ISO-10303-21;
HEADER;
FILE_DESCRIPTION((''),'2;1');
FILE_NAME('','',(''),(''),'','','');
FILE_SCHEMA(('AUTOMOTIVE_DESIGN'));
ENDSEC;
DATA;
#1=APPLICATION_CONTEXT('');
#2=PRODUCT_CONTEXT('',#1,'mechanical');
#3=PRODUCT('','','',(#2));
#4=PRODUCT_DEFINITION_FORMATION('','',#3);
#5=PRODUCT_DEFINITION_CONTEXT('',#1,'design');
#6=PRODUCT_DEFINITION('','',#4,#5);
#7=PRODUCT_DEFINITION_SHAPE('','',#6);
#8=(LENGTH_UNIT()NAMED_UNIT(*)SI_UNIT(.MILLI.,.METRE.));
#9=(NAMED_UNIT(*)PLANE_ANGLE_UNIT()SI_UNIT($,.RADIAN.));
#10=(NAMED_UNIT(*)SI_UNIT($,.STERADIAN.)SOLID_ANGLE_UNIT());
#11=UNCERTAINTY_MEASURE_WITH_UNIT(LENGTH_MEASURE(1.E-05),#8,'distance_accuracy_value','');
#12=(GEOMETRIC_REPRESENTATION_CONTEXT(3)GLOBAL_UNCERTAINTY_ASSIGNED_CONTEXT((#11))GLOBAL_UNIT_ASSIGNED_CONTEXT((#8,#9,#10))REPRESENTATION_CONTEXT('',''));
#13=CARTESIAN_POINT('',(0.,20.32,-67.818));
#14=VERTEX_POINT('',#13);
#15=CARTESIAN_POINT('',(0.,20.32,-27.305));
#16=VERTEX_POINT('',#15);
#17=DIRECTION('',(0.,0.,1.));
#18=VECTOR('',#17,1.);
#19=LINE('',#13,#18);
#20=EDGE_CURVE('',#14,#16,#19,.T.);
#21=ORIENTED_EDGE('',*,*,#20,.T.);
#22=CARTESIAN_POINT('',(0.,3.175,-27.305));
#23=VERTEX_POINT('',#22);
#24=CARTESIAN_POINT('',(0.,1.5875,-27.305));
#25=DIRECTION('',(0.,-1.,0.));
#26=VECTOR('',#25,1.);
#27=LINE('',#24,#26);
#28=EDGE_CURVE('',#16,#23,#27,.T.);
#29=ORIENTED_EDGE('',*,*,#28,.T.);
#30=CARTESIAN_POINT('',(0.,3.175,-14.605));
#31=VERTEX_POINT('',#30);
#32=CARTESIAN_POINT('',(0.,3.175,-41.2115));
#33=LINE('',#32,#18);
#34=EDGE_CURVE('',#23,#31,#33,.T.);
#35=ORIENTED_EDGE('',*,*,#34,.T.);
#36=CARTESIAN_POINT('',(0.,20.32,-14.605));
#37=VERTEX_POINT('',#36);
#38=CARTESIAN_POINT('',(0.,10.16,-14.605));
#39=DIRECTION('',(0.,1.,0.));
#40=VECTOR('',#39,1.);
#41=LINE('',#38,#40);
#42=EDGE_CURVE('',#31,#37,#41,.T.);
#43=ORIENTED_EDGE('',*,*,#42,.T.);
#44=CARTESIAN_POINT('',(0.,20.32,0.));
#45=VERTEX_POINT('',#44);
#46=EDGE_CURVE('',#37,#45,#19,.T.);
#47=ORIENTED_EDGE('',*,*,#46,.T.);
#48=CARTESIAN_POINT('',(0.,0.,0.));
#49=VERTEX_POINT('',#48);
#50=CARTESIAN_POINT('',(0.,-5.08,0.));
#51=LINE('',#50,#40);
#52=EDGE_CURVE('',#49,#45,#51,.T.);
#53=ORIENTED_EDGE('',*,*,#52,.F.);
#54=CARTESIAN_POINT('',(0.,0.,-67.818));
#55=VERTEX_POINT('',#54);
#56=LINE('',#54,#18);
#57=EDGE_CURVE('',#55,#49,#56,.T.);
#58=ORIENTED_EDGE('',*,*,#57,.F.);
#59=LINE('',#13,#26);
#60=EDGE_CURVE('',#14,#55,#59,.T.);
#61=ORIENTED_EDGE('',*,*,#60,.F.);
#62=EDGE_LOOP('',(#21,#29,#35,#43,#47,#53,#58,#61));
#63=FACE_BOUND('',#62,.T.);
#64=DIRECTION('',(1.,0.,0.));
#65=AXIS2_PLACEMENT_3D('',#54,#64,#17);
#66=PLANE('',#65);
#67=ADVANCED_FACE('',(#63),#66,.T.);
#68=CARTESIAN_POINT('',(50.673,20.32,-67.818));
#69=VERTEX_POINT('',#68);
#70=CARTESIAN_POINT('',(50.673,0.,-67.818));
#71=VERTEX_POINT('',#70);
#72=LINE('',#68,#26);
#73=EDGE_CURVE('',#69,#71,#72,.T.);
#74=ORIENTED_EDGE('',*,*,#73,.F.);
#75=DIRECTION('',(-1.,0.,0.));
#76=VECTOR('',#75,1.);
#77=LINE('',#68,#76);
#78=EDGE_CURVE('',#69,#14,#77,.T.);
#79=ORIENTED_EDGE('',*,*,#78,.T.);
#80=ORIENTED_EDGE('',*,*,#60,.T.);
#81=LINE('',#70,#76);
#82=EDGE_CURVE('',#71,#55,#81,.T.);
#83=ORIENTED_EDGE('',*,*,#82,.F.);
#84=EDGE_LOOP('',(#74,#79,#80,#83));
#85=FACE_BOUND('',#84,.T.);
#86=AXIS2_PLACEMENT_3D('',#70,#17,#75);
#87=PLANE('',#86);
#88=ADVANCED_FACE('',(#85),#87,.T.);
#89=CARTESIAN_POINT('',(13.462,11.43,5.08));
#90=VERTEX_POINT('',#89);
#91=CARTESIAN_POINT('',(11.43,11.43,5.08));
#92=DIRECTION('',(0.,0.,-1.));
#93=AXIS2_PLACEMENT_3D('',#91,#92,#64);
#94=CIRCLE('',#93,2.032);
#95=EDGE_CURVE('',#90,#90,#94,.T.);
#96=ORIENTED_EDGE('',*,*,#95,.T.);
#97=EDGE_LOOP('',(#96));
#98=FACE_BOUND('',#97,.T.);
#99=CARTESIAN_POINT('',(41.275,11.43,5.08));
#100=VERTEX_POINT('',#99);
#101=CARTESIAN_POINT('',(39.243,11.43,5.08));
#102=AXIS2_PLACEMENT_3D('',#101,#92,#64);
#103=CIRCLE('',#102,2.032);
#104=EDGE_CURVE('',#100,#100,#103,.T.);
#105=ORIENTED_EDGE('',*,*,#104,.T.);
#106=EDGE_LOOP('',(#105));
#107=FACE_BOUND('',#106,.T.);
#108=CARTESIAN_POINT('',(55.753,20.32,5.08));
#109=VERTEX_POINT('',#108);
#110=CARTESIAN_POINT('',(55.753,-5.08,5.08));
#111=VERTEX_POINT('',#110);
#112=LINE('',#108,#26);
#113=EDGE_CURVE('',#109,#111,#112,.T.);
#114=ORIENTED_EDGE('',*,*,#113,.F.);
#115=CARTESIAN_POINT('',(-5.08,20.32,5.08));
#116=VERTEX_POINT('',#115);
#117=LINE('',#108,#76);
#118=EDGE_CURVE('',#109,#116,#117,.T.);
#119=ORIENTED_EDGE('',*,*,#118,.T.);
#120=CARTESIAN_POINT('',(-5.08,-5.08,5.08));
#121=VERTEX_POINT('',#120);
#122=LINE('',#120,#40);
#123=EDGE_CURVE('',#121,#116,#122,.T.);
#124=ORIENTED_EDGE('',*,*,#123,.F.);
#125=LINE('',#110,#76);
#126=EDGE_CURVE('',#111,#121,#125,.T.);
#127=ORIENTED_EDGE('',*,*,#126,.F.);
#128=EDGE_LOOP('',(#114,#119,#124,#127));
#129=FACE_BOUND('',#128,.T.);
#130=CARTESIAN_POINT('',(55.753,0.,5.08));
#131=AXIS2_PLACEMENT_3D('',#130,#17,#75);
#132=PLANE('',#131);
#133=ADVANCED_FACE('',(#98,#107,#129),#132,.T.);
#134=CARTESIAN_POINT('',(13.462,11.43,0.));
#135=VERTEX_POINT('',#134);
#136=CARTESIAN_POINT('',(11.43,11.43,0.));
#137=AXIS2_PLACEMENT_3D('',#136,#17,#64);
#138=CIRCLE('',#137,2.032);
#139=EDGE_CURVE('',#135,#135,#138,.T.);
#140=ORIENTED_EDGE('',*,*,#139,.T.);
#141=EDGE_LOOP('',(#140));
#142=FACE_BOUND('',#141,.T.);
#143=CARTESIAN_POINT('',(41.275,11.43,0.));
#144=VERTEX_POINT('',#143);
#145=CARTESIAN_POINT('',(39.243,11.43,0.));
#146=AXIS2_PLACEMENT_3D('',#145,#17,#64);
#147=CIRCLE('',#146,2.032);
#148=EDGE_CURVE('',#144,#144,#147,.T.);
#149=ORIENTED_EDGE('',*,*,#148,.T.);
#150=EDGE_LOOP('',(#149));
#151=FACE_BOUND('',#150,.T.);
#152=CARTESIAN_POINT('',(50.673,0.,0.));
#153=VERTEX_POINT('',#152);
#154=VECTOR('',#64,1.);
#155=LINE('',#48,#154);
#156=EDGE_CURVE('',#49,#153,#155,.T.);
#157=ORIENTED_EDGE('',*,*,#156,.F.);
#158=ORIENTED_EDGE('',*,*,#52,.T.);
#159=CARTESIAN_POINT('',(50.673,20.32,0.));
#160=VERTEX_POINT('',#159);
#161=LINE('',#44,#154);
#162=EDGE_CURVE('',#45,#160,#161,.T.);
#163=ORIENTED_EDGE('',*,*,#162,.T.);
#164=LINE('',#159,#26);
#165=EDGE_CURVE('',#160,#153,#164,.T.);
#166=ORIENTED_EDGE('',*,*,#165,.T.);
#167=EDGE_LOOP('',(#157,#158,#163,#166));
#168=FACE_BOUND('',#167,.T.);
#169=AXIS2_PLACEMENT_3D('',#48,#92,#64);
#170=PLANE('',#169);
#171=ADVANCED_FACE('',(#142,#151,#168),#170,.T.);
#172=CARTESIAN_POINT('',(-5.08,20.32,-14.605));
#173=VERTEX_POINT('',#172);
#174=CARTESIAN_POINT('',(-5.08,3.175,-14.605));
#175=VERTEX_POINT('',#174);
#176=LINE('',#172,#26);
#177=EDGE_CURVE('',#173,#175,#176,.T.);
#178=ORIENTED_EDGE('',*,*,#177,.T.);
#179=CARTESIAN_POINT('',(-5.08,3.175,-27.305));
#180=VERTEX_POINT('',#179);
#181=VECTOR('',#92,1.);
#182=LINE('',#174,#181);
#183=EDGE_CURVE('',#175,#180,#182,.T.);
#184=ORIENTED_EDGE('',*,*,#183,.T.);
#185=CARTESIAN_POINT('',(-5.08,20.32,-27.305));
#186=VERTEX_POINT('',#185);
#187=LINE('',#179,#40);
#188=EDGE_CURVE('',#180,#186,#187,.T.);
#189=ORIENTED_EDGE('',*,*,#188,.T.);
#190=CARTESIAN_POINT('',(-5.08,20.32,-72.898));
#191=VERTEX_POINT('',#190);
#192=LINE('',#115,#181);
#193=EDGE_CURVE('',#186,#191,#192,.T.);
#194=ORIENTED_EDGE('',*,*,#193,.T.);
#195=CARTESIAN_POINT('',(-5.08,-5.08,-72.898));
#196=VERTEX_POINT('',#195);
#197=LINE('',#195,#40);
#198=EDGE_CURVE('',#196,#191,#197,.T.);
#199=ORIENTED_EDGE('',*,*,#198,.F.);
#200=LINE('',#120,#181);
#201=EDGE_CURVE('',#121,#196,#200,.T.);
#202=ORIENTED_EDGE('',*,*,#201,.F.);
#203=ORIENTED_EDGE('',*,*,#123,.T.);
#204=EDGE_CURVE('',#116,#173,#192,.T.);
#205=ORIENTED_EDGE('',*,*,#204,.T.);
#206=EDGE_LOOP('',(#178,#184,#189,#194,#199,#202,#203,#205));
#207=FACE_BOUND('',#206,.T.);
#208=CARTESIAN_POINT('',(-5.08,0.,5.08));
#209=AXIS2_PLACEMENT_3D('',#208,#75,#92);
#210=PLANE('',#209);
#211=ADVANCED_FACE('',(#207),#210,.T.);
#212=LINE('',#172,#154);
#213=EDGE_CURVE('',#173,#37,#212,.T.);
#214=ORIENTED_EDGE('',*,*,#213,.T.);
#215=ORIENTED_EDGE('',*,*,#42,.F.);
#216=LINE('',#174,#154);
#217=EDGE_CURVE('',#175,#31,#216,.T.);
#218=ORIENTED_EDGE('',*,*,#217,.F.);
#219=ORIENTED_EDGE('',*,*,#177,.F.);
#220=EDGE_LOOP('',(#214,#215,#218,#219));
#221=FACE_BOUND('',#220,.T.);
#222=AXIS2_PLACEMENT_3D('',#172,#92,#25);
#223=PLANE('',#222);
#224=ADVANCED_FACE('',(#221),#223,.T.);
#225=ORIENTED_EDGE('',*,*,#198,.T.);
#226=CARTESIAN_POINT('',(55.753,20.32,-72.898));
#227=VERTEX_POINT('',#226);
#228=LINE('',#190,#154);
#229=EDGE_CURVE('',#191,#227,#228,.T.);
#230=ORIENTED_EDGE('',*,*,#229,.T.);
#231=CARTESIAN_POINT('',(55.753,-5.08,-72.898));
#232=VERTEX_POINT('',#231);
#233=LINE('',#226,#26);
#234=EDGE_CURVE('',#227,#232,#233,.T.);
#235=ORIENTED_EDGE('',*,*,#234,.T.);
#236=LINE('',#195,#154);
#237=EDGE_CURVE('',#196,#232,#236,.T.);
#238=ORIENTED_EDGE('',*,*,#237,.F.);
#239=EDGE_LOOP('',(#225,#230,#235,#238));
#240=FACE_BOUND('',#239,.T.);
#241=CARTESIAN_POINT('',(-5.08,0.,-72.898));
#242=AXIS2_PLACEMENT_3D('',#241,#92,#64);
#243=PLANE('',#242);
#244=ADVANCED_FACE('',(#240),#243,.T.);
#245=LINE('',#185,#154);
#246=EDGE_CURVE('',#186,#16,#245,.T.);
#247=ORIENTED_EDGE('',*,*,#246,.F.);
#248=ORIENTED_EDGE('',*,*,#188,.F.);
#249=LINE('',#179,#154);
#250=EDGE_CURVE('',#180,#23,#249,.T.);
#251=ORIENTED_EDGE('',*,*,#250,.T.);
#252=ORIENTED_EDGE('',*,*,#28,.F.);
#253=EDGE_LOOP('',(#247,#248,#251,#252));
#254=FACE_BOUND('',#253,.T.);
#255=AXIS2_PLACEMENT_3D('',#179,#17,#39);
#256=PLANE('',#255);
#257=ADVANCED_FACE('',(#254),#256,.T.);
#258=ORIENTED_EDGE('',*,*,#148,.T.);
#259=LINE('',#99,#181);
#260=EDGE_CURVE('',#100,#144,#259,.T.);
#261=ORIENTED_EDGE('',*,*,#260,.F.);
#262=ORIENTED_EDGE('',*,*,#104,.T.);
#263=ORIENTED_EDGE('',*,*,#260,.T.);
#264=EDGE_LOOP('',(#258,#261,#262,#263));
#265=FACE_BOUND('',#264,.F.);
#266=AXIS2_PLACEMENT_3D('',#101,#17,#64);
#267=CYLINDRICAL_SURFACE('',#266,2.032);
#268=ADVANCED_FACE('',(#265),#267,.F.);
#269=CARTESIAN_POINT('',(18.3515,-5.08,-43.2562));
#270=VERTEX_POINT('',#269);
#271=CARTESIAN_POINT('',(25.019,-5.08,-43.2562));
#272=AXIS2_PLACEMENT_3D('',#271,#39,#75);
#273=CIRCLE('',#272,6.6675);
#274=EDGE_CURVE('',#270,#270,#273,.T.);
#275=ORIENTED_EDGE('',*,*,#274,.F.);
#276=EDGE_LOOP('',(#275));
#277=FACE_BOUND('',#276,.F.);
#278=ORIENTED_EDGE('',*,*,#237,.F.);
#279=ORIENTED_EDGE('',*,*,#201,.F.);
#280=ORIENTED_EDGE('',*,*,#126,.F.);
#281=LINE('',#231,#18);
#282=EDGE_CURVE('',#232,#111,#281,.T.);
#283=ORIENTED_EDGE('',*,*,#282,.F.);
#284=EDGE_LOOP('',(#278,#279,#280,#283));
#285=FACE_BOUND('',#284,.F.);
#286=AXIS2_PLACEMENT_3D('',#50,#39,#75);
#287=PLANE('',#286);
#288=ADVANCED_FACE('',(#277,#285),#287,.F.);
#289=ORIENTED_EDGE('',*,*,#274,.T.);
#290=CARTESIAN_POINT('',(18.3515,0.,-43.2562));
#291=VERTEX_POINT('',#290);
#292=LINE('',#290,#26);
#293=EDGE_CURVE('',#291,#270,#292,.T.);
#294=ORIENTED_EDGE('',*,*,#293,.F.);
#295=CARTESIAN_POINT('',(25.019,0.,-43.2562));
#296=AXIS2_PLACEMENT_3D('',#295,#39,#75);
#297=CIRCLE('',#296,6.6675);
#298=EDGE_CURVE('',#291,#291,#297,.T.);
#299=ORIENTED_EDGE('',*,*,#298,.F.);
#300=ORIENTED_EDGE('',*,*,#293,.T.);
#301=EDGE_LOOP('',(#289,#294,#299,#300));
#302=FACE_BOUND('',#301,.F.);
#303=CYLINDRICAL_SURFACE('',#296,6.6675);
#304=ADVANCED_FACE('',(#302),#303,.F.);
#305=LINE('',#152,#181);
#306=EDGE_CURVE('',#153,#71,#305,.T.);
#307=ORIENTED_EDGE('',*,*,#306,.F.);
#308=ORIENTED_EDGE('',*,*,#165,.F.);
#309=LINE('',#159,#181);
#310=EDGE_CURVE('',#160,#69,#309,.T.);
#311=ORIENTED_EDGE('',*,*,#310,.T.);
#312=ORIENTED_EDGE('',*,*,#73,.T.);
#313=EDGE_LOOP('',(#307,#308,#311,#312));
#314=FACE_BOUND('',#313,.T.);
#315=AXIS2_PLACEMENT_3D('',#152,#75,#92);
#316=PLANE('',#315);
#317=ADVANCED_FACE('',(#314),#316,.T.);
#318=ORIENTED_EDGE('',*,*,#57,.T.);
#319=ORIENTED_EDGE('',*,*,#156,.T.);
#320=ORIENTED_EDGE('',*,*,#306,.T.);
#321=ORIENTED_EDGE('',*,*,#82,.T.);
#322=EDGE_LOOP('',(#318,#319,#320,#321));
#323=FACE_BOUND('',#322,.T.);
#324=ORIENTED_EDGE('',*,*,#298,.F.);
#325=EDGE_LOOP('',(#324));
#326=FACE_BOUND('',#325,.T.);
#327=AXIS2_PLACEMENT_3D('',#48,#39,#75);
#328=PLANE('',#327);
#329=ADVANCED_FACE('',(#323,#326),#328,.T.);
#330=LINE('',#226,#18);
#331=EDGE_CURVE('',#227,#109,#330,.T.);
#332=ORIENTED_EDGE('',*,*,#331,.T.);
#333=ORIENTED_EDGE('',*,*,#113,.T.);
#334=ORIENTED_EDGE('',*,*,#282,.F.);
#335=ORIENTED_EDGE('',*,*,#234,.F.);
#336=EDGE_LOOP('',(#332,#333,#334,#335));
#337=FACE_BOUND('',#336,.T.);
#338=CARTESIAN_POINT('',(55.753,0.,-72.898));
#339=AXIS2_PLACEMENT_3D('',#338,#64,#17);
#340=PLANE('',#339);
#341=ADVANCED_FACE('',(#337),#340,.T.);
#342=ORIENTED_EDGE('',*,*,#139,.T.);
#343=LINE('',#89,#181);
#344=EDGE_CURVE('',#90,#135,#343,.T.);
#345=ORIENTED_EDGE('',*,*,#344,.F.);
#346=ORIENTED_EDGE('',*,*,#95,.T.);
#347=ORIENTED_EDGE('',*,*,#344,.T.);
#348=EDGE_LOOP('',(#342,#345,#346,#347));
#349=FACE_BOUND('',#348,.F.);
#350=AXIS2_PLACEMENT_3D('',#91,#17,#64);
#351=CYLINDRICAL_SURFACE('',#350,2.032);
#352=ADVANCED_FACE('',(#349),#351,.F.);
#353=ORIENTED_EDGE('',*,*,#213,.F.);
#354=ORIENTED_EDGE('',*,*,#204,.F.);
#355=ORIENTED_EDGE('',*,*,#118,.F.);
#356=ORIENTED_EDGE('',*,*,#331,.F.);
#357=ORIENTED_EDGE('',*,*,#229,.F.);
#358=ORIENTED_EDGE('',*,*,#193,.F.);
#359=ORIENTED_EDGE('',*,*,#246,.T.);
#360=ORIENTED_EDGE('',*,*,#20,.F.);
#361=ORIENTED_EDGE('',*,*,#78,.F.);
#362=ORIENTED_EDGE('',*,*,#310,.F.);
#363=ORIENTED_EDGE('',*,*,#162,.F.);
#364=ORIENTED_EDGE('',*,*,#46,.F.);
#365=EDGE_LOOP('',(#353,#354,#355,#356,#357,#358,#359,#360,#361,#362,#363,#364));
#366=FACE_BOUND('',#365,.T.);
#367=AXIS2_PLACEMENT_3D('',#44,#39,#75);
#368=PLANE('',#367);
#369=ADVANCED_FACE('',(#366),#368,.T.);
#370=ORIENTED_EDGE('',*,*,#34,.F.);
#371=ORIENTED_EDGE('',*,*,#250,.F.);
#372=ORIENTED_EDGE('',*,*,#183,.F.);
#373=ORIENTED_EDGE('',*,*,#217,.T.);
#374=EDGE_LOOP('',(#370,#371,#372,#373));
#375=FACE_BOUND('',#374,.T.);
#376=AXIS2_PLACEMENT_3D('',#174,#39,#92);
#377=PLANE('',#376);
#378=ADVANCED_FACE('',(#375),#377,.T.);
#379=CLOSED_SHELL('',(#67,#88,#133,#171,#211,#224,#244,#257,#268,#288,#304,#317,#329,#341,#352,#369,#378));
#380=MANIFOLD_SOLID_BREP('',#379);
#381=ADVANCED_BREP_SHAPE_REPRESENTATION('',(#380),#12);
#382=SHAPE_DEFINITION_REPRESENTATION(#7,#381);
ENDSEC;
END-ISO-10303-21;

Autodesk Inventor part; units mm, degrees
ref_plane "YZ Plane" through (0, 0, 0) normal (1, 0, 0) x (0, 1, 0)
ref_plane "XZ Plane" through (0, 0, 0) normal (0, 1, 0) x (-1, 0, 0)
ref_plane "XY Plane" through (0, 0, 0) normal (0, 0, 1) x (1, 0, 0)
sketch "Sketch1" plane through (0, 0, 0) normal (0, 1, 0) x (-1, 0, 0)
  line L0 (0, 0) -> (-50.673, 0)
  line L1 (-50.673, 0) -> (-50.673, -67.818)
  line L2 (-50.673, -67.818) -> (0, -67.818)
  line L3 (0, -67.818) -> (0, 0)
  line L4 (5.08, -72.898) -> (-55.753, -72.898)
  line L5 (-55.753, -72.898) -> (-55.753, 5.08)
  line L6 (-55.753, 5.08) -> (5.08, 5.08)
  line L7 (5.08, 5.08) -> (5.08, -72.898)
  circle A0 centre (-25.019, -43.2562) radius 6.6675
  circle A1 centre (34.7838, -26.9997) radius 2.286
  dimension "d0" = 50.673
  dimension "d1" = 67.818
  dimension "d2" = 5.08
  dimension "d11" = 13.335
  dimension "d14" = 4.572
extrude "Extrusion1" add sketch "Sketch1" along normal blind 20.32 and the other way blind 5.08 contours L4 L5 L6 L7
extrude "Extrusion2" add sketch "Sketch1" against normal blind 5.08 contours L3 L2 L1 L0 | A0
extrude "Extrusion3" cut sketch "Sketch1" against normal blind 127 contours A0
sketch "Sketch2" plane through (-5.08, -5.08, 5.08) normal (-1, 0, 0) x (0, 0, 1)
  line L0 (0, 25.4) -> (-19.685, 25.4)
  line L1 (-77.978, 25.4) -> (0, 25.4) projected
  line L2 (-19.685, 25.4) -> (-19.685, 8.255)
  line L3 (-5.08, 5.08) -> (-72.898, 5.08) projected
  line L4 (-19.685, 8.255) -> (-32.385, 8.255)
  line L5 (-32.385, 8.255) -> (-32.385, 25.4)
  line L6 (-19.685, 25.4) -> (-32.385, 25.4)
  dimension "d15" = 19.685
  dimension "d16" = 17.145
  dimension "d17" = 12.7
extrude "Extrusion4" cut sketch "Sketch2" against normal blind 25.4
sketch "Sketch5" plane through (-5.08, 20.32, 5.08) normal (0, 0, 1) x (1, 0, 0)
  line L0 (16.51, 0) -> (16.51, -8.89)
  line L1 (0, 0) -> (0, -25.4) projected
  line L2 (60.833, 0) -> (44.323, 0)
  line L3 (0, 0) -> (60.833, 0) projected
  line L4 (44.323, 0) -> (44.323, -8.89)
  circle A0 centre (44.323, -8.89) radius 2.032
  circle A1 centre (16.51, -8.89) radius 2.032
  point P0 (5.08, -20.32)
  point P1 (16.51, -0.0329)
  dimension "d21" = 8.89
  dimension "d22" = 16.51
  dimension "d23" = 16.51
  dimension "d24" = 8.89
  dimension "d25" = 4.064
  dimension "d26" = 4.064
extrude "Extrusion5" cut sketch "Sketch5" against normal blind 25.4
properties part number "BH_Engineering Club Autonomous Car_Encoder Holder"
